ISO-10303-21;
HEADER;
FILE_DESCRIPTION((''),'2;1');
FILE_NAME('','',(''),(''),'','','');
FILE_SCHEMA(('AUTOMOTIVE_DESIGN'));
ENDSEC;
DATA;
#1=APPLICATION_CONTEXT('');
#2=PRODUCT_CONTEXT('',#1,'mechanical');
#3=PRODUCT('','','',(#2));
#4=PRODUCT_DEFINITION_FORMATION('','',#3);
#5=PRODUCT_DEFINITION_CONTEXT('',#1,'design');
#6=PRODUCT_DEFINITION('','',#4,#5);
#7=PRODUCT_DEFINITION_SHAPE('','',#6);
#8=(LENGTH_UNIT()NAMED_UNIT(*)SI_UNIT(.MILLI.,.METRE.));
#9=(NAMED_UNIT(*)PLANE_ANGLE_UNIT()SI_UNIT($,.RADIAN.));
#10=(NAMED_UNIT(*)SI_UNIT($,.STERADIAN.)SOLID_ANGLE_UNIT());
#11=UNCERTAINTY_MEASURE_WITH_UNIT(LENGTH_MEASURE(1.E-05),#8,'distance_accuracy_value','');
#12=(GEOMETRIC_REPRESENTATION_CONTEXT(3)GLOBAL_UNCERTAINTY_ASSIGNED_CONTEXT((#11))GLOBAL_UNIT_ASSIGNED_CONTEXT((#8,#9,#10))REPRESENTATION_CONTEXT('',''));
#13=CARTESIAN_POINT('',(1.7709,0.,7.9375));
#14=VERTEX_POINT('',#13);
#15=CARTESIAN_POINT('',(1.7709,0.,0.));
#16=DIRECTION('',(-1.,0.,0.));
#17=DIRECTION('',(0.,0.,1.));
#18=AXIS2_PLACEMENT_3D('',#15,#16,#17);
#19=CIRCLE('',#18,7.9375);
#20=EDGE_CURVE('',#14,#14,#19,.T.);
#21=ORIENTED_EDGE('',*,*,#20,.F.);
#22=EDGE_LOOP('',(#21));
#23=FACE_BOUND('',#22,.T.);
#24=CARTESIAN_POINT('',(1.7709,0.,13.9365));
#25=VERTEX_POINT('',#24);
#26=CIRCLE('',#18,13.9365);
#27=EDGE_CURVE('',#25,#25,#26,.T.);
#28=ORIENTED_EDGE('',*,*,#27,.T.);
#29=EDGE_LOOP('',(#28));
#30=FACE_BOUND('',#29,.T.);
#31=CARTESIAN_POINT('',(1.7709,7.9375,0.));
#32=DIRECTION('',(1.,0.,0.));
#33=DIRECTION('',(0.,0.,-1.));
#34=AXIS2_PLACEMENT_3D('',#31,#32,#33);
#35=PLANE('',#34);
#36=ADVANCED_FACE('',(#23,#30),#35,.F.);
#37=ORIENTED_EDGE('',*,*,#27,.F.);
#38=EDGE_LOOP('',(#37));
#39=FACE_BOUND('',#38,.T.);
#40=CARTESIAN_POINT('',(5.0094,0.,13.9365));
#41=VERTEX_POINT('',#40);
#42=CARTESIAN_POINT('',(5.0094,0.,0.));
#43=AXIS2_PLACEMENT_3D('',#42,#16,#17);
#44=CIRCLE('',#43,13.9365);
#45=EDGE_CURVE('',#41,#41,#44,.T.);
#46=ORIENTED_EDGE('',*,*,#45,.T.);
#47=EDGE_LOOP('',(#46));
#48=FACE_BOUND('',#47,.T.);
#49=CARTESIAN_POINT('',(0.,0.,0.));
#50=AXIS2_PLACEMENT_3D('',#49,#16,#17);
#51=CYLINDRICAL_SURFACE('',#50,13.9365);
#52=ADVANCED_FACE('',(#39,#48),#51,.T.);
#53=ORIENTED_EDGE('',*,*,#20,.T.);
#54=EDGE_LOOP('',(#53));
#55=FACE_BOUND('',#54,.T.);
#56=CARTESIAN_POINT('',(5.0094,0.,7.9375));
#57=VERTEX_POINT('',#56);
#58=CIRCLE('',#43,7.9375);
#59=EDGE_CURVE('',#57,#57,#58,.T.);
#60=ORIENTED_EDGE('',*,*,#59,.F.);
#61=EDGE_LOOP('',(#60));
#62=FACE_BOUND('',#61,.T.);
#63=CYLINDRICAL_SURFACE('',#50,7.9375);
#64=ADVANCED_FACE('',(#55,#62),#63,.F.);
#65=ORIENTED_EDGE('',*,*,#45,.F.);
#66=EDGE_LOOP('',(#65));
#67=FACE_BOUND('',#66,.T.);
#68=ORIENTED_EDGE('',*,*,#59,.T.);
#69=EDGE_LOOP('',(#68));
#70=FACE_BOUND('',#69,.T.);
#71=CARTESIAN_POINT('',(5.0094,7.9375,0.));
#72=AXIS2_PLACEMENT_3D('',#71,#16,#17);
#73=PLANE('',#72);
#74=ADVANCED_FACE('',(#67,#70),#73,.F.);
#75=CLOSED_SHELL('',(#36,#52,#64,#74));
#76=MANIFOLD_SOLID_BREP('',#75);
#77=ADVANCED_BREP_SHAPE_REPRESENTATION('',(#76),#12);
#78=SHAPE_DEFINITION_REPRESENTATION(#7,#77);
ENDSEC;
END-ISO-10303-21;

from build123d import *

# Parameters (mm, degrees)
SKETCH3_W = 3.2385
SKETCH3_H = 5.99899994


with BuildPart() as part:
    # Sketch3 → Revolve1 (revolve)
    with BuildSketch(Plane.XY):
        with Locations((3.390149684, 10.93699997)):
            Rectangle(SKETCH3_W, SKETCH3_H)
    revolve(axis=Axis((0, 0, 0), (1, 0, 0)))


solid = part.part
